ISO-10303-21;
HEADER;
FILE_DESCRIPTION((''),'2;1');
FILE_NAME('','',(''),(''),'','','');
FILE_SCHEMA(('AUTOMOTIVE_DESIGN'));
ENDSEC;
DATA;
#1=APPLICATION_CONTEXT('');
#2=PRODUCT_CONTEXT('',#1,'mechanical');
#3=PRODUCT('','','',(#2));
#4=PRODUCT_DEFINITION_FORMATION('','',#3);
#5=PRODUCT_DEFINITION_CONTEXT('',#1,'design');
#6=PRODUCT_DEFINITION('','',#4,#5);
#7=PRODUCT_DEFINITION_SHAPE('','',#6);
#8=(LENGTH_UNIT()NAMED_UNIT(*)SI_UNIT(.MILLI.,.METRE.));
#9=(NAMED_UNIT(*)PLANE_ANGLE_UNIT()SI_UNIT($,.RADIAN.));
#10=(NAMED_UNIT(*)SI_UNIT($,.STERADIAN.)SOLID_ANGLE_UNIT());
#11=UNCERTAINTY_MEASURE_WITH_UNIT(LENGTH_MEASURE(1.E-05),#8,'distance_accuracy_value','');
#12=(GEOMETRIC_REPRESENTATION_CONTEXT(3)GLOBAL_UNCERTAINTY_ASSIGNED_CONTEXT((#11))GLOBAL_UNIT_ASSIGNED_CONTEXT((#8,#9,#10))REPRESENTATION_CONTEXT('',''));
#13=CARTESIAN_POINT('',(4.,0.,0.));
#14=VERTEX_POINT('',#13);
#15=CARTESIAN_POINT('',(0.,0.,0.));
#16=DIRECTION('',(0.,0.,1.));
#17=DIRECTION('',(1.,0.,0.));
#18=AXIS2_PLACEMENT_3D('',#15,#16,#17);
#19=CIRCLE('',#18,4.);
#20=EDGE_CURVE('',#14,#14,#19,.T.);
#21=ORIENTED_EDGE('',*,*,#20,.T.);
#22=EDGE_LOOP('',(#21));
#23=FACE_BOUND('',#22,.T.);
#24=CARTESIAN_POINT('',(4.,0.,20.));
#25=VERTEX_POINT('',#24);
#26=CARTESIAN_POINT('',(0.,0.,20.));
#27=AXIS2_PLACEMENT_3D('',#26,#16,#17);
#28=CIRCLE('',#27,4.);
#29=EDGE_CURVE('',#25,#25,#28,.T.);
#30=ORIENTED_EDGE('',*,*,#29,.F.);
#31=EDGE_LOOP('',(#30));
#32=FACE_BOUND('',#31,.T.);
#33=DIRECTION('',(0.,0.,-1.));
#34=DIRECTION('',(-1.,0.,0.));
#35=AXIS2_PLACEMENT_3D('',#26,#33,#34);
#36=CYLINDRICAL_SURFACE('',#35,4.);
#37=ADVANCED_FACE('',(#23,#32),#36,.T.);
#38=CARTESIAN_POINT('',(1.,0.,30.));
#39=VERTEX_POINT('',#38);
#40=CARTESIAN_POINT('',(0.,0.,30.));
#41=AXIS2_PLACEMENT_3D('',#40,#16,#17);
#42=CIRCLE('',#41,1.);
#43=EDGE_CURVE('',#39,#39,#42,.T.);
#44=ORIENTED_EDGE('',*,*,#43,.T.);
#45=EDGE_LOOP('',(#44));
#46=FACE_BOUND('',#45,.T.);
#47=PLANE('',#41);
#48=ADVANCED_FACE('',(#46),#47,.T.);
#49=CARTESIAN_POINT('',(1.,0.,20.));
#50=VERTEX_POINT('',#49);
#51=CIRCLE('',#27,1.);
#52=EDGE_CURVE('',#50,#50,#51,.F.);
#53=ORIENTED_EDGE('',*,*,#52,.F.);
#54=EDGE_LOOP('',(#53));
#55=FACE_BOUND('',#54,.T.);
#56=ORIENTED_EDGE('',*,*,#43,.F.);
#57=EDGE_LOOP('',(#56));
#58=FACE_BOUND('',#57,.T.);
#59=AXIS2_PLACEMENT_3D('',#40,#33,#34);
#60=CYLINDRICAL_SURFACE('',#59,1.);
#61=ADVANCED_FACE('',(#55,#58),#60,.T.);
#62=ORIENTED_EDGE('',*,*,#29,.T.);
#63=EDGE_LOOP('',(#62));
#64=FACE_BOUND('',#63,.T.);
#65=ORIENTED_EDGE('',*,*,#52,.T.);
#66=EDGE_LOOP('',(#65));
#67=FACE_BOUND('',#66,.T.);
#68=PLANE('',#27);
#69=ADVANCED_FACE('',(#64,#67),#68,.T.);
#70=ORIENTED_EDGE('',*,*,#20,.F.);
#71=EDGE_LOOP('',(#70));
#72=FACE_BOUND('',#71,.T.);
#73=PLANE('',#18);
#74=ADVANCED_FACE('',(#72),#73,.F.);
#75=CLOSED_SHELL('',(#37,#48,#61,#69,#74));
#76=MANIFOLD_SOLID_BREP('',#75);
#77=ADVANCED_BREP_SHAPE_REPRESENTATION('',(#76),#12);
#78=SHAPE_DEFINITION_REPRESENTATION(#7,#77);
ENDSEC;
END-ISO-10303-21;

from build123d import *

# Parameters (mm, degrees)
SKETCH1_R           = 4
BOSS_EXTRUDE1_DEPTH = 20
SKETCH1_3_R         = 1
BOSS_EXTRUDE2_DEPTH = 30


with BuildPart() as part:
    # Sketch1 → Boss-Extrude1 (new body)
    with BuildSketch(Plane.XY):
        Circle(SKETCH1_R)
    extrude(amount=BOSS_EXTRUDE1_DEPTH)

    # Sketch1<3> → Boss-Extrude2 (add)
    with BuildSketch(Plane.XY):
        Circle(SKETCH1_3_R)
    extrude(amount=BOSS_EXTRUDE2_DEPTH)


solid = part.part
